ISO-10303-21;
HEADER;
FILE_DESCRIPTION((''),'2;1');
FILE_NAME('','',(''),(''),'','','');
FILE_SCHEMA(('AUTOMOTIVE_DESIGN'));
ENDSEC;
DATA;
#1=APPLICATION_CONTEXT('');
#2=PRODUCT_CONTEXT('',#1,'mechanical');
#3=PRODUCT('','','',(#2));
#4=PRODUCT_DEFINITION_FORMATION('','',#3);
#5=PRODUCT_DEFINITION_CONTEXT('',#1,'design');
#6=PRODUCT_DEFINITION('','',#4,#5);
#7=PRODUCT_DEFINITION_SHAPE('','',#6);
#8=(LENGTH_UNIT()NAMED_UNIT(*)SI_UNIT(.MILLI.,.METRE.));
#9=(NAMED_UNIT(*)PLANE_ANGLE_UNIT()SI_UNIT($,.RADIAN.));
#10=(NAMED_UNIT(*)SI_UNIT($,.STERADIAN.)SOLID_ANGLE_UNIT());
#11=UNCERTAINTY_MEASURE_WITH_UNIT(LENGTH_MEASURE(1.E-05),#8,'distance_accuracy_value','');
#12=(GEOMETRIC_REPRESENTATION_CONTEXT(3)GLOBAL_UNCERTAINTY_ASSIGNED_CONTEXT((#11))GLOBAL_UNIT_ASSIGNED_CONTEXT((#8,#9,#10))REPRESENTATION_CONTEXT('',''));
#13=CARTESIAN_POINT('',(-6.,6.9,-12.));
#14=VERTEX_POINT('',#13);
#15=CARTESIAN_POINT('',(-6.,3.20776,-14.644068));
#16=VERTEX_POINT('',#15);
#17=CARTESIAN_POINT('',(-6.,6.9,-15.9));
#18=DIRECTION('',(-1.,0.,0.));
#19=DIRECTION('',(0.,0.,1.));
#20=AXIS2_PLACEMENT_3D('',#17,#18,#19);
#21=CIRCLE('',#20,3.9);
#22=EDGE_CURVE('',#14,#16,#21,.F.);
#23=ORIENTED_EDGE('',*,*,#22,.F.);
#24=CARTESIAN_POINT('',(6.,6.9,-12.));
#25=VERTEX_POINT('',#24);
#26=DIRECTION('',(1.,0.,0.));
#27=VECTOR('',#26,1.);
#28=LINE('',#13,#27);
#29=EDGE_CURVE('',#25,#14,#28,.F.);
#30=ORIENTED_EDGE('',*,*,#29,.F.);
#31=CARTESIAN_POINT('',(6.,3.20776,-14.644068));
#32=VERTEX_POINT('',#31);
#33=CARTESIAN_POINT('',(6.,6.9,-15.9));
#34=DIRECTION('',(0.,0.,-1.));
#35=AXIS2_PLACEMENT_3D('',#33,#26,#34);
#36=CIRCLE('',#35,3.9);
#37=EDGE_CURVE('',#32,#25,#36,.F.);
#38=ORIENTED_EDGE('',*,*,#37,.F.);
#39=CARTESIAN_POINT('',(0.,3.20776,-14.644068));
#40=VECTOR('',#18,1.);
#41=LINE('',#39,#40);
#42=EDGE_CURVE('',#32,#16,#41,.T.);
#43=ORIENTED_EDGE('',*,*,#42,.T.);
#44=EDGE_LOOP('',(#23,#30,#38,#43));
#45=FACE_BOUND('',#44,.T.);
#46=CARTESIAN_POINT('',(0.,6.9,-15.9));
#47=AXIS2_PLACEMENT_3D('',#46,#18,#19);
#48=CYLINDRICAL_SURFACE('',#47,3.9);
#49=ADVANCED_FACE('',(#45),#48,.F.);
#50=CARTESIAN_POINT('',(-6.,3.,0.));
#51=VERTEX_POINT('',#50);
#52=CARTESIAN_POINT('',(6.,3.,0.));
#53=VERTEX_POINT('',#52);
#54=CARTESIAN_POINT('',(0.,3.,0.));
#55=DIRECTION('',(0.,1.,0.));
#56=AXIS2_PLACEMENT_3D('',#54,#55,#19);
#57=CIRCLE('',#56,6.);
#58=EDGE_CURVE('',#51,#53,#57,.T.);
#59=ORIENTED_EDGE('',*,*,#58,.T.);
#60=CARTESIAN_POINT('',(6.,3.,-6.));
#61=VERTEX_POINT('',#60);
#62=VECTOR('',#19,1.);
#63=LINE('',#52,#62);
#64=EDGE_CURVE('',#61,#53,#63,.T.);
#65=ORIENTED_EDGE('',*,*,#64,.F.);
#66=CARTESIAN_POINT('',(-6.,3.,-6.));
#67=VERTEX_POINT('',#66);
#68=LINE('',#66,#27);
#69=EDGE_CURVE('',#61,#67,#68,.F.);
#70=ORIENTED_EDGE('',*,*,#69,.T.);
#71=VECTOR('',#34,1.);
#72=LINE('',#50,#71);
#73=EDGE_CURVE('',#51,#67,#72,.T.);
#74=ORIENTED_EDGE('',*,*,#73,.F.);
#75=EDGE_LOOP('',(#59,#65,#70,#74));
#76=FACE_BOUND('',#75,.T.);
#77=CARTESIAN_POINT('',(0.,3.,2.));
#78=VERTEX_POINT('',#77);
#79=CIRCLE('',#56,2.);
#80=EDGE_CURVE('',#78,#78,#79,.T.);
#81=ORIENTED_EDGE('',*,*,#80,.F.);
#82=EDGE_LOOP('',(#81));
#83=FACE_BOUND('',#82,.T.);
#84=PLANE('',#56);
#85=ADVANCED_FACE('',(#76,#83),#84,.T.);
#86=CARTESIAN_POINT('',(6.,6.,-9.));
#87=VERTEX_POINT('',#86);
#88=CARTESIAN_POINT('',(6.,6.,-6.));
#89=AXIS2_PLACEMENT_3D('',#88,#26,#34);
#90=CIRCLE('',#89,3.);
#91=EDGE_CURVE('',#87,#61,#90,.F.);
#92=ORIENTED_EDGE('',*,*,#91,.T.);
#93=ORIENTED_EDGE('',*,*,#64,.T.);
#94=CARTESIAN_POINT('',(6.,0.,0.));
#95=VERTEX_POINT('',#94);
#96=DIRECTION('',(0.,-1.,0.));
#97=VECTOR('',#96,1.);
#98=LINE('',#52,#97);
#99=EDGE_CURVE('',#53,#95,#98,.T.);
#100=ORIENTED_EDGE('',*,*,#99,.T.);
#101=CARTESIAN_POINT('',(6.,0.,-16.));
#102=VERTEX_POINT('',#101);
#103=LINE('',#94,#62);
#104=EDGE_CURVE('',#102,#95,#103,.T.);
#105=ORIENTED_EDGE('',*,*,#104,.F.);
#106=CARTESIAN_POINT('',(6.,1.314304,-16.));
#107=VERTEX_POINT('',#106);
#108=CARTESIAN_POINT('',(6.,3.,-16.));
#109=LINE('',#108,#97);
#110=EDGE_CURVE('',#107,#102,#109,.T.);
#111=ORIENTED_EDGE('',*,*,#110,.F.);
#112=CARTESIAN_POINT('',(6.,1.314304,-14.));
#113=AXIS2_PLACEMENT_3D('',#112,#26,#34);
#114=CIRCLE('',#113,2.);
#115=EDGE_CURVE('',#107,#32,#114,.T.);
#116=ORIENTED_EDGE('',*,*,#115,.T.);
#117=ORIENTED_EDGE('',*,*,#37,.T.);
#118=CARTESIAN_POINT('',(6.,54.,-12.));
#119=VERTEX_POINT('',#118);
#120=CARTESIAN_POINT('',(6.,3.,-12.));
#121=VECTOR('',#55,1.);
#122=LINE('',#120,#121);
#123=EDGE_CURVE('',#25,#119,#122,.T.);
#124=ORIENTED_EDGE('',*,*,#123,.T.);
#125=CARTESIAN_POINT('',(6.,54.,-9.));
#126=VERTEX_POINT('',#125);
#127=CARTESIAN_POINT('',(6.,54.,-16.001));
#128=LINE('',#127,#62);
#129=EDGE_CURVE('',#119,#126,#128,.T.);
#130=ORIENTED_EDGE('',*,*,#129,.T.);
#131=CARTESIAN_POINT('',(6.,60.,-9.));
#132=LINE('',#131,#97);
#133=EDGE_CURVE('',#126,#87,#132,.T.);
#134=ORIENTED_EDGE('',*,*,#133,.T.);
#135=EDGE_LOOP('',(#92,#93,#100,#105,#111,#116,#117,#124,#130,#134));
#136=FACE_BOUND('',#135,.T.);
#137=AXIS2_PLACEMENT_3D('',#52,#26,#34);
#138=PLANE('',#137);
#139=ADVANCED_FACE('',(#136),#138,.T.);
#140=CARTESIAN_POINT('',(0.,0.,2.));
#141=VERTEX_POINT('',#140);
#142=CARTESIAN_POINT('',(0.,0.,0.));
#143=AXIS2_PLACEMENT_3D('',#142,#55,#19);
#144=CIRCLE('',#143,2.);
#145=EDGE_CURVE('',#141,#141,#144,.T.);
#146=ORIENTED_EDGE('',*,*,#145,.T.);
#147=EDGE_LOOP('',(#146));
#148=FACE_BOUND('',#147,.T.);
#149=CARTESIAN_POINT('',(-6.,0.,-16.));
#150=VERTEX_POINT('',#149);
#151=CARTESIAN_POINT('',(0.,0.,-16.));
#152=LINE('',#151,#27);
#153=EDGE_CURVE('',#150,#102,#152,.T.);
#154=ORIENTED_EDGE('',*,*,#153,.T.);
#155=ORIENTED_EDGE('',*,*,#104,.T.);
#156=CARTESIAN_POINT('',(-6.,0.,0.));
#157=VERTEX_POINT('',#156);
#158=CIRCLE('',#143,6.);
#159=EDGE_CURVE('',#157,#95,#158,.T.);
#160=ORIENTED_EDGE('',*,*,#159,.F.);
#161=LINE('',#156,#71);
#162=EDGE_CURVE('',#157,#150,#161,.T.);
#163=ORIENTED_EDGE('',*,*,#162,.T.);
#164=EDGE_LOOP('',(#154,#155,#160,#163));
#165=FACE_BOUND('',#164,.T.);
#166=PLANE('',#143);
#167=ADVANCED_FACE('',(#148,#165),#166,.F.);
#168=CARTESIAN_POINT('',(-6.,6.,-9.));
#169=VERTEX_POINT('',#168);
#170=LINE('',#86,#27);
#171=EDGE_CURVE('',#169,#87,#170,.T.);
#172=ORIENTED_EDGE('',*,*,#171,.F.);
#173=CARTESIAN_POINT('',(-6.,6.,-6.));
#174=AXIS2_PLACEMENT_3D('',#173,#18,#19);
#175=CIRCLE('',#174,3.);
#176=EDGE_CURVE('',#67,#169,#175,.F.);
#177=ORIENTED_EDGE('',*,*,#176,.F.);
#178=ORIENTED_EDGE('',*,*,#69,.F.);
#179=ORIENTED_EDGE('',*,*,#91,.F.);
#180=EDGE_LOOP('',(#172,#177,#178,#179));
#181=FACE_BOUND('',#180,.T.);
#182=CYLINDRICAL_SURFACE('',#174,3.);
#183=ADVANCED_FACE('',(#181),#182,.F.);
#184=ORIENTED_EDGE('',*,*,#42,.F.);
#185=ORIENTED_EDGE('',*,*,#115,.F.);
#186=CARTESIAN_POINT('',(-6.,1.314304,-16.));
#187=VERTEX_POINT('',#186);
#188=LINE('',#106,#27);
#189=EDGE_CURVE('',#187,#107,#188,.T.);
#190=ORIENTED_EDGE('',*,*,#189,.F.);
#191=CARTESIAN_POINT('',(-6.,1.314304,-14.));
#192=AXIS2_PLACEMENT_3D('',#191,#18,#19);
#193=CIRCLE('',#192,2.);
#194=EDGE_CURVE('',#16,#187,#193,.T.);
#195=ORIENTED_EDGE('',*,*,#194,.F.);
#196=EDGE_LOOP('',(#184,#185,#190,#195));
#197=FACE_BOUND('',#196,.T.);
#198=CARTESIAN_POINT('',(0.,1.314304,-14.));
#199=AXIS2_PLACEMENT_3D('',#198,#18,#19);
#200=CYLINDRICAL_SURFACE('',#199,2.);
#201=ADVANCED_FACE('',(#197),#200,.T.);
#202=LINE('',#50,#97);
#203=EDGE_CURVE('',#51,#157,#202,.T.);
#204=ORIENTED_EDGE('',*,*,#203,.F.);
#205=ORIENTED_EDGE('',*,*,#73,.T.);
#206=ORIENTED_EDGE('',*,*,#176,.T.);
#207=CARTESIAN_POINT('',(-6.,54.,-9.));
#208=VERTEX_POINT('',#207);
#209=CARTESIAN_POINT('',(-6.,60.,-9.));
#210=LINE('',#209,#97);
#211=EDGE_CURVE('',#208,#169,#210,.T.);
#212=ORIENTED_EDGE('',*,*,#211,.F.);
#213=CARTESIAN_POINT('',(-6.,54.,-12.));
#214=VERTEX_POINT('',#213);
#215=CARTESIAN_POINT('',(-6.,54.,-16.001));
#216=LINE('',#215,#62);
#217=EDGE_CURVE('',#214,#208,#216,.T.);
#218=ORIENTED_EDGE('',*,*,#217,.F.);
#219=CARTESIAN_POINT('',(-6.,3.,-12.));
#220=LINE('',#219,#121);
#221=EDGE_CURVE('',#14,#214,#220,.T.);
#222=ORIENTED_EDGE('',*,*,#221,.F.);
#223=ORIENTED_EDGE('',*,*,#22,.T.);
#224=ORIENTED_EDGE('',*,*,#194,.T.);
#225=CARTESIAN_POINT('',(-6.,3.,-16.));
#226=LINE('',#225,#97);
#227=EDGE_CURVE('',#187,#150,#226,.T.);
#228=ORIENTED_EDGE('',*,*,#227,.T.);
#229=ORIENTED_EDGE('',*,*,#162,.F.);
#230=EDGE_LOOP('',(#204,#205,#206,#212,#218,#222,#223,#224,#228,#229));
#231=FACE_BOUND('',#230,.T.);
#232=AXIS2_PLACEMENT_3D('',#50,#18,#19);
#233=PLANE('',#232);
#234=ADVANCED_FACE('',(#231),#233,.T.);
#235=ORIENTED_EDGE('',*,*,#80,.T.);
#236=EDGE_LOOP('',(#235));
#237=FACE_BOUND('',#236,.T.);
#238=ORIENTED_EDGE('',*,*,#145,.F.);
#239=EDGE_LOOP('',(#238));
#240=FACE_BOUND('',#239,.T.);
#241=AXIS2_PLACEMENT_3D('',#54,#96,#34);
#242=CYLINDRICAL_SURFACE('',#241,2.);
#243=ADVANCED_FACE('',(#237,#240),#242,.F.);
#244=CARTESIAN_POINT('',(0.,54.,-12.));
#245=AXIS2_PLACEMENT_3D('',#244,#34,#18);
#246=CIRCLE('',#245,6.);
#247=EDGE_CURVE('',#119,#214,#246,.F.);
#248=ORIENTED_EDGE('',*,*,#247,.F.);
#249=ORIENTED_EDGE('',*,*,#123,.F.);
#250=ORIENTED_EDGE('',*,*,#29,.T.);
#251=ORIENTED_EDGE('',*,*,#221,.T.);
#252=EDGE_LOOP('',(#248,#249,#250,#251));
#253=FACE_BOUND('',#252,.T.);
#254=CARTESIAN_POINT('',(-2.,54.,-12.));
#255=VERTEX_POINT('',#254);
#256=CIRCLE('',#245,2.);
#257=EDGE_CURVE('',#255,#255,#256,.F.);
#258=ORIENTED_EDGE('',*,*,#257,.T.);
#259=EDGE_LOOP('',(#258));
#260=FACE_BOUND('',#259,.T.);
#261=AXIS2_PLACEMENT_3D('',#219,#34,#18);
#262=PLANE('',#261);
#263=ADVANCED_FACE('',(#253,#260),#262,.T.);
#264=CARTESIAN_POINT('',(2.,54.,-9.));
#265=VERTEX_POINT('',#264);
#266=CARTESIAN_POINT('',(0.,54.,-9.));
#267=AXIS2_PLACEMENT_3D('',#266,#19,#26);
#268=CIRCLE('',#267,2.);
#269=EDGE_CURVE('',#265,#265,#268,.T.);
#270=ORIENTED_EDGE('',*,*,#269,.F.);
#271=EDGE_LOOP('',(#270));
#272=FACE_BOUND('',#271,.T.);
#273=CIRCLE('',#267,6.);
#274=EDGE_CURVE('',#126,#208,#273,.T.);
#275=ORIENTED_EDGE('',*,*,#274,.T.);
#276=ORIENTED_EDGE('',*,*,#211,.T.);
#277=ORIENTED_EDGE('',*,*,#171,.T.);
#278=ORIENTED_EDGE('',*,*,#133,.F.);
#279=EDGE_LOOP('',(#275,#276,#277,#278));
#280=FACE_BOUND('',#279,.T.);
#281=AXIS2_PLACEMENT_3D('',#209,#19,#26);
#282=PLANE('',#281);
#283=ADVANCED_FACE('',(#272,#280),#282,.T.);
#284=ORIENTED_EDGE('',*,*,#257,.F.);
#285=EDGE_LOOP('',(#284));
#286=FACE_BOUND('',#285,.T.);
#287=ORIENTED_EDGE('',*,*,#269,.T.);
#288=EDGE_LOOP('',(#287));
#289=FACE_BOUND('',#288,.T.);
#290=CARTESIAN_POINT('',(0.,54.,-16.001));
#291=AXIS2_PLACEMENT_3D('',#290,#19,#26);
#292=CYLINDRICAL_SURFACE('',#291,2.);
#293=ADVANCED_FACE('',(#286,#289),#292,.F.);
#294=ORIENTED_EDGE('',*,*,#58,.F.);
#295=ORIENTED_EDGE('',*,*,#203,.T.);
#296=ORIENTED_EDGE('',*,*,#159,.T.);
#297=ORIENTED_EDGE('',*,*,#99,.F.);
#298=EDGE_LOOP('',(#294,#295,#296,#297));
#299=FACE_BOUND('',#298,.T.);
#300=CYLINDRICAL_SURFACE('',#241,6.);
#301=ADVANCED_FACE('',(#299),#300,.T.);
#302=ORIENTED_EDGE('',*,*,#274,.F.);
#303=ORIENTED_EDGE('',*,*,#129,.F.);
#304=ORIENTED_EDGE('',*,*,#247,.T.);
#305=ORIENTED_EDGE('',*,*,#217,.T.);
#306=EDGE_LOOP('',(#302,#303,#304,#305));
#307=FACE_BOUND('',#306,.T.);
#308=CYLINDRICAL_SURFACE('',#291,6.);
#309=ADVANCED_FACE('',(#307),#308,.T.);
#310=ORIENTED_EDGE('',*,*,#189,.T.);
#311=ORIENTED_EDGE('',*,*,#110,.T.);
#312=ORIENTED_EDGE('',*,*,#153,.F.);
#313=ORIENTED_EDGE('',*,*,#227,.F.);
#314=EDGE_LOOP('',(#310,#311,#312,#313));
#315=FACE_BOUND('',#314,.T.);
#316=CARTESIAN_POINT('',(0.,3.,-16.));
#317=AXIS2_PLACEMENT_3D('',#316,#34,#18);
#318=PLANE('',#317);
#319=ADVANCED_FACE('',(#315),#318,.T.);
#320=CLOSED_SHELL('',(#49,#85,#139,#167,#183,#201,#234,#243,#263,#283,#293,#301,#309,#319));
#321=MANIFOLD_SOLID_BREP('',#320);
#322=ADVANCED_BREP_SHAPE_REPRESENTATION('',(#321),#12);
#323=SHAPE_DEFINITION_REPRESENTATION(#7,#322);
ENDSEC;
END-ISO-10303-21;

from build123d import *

# Parameters (mm, degrees)
SKETCH1_R           = 6
SKETCH1_R_2         = 2
BOSS_EXTRUDE1_DEPTH = 3
SKETCH2_W           = 3
SKETCH2_H           = 57
BOSS_EXTRUDE2_DEPTH = 12
CUT_EXTRUDE1_REACH  = 64.137
SKETCH3_R           = 2
FILLET1_R           = 3
FILLET2_R           = 3.9
FILLET3_R           = 2


with BuildPart() as part:
    # Sketch1 → Boss-Extrude1 (new body)
    # profile 1 of 2: a face of its own
    with BuildSketch(Plane(origin=(0, 0, 0), x_dir=(1, 0, 0), z_dir=(0, 1, 0))):
        with BuildLine():
            Line((-6, 16), (-6, 0))
            ThreePointArc((-6, 0), (0, 6), (6, 0))
            Line((6, 0), (6, 16))
            Line((6, 16), (-6, 16))
        make_face()
    # profile 2 of 2: a face of its own
    with BuildSketch(Plane(origin=(0, 0, 0), x_dir=(1, 0, 0), z_dir=(0, 1, 0))):
        Circle(SKETCH1_R)
        with Locations(Location((0, 0, 0), (0, 0, 270))):
            Circle(SKETCH1_R_2, mode=Mode.SUBTRACT)
    extrude(amount=BOSS_EXTRUDE1_DEPTH)

    # Sketch2 → Boss-Extrude2 (add)
    with BuildSketch(Plane(origin=(6, 0, 0), x_dir=(0, 0, -1), z_dir=(1, 0, 0))):
        with Locations((10.5, 31.5)):
            Rectangle(SKETCH2_W, SKETCH2_H)
    extrude(amount=-BOSS_EXTRUDE2_DEPTH)

    # Sketch3 → Cut-Extrude1 (cut, up to next)
    with BuildSketch(Plane.XY.offset(-9), mode=Mode.PRIVATE) as cut_extrude1_sk1:
        with BuildLine():
            Line((-6, 60), (-6, 54))
            ThreePointArc((-6, 54), (-4.242640687, 58.242640687), (0, 60))
            Line((0, 60), (-6, 60))
        make_face()
    cut_extrude1_tool1 = extrude(cut_extrude1_sk1.sketch, amount=-CUT_EXTRUDE1_REACH, mode=Mode.PRIVATE) & part.part
    # Sketch3 → Cut-Extrude1 (cut, up to next)
    with BuildSketch(Plane.XY.offset(-9), mode=Mode.PRIVATE) as cut_extrude1_sk2:
        with BuildLine():
            ThreePointArc((0, 60), (4.242640687, 58.242640687), (6, 54))
            Line((6, 54), (6, 60))
            Line((6, 60), (0, 60))
        make_face()
    cut_extrude1_tool2 = extrude(cut_extrude1_sk2.sketch, amount=-CUT_EXTRUDE1_REACH, mode=Mode.PRIVATE) & part.part
    # Sketch3 → Cut-Extrude1 (cut, up to next)
    with BuildSketch(Plane.XY.offset(-9), mode=Mode.PRIVATE) as cut_extrude1_sk3:
        with Locations((0, 54)):
            Circle(SKETCH3_R)
    cut_extrude1_tool3 = extrude(cut_extrude1_sk3.sketch, amount=-CUT_EXTRUDE1_REACH, mode=Mode.PRIVATE) & part.part
    add(cut_extrude1_tool1.solids().sort_by_distance((-4.659792, 58.659792, -9))[0], mode=Mode.SUBTRACT)
    add(cut_extrude1_tool2.solids().sort_by_distance((4.659792, 58.659792, -9))[0], mode=Mode.SUBTRACT)
    add(cut_extrude1_tool3.solids().sort_by_distance((0, 54, -9))[0], mode=Mode.SUBTRACT)

    # Fillet1
    fillet1_edges = [part.edges().sort_by_distance(p)[0] for p in [
        (0, 3, -9),
    ]]
    fillet(fillet1_edges, radius=FILLET1_R)

    # Fillet2
    fillet2_edges = [part.edges().sort_by_distance(p)[0] for p in [
        (0, 3, -12),
    ]]
    fillet(fillet2_edges, radius=FILLET2_R)

    # Fillet3
    fillet3_edges = [part.edges().sort_by_distance(p)[0] for p in [
        (0, 3, -16),
    ]]
    fillet(fillet3_edges, radius=FILLET3_R)


solid = part.part
